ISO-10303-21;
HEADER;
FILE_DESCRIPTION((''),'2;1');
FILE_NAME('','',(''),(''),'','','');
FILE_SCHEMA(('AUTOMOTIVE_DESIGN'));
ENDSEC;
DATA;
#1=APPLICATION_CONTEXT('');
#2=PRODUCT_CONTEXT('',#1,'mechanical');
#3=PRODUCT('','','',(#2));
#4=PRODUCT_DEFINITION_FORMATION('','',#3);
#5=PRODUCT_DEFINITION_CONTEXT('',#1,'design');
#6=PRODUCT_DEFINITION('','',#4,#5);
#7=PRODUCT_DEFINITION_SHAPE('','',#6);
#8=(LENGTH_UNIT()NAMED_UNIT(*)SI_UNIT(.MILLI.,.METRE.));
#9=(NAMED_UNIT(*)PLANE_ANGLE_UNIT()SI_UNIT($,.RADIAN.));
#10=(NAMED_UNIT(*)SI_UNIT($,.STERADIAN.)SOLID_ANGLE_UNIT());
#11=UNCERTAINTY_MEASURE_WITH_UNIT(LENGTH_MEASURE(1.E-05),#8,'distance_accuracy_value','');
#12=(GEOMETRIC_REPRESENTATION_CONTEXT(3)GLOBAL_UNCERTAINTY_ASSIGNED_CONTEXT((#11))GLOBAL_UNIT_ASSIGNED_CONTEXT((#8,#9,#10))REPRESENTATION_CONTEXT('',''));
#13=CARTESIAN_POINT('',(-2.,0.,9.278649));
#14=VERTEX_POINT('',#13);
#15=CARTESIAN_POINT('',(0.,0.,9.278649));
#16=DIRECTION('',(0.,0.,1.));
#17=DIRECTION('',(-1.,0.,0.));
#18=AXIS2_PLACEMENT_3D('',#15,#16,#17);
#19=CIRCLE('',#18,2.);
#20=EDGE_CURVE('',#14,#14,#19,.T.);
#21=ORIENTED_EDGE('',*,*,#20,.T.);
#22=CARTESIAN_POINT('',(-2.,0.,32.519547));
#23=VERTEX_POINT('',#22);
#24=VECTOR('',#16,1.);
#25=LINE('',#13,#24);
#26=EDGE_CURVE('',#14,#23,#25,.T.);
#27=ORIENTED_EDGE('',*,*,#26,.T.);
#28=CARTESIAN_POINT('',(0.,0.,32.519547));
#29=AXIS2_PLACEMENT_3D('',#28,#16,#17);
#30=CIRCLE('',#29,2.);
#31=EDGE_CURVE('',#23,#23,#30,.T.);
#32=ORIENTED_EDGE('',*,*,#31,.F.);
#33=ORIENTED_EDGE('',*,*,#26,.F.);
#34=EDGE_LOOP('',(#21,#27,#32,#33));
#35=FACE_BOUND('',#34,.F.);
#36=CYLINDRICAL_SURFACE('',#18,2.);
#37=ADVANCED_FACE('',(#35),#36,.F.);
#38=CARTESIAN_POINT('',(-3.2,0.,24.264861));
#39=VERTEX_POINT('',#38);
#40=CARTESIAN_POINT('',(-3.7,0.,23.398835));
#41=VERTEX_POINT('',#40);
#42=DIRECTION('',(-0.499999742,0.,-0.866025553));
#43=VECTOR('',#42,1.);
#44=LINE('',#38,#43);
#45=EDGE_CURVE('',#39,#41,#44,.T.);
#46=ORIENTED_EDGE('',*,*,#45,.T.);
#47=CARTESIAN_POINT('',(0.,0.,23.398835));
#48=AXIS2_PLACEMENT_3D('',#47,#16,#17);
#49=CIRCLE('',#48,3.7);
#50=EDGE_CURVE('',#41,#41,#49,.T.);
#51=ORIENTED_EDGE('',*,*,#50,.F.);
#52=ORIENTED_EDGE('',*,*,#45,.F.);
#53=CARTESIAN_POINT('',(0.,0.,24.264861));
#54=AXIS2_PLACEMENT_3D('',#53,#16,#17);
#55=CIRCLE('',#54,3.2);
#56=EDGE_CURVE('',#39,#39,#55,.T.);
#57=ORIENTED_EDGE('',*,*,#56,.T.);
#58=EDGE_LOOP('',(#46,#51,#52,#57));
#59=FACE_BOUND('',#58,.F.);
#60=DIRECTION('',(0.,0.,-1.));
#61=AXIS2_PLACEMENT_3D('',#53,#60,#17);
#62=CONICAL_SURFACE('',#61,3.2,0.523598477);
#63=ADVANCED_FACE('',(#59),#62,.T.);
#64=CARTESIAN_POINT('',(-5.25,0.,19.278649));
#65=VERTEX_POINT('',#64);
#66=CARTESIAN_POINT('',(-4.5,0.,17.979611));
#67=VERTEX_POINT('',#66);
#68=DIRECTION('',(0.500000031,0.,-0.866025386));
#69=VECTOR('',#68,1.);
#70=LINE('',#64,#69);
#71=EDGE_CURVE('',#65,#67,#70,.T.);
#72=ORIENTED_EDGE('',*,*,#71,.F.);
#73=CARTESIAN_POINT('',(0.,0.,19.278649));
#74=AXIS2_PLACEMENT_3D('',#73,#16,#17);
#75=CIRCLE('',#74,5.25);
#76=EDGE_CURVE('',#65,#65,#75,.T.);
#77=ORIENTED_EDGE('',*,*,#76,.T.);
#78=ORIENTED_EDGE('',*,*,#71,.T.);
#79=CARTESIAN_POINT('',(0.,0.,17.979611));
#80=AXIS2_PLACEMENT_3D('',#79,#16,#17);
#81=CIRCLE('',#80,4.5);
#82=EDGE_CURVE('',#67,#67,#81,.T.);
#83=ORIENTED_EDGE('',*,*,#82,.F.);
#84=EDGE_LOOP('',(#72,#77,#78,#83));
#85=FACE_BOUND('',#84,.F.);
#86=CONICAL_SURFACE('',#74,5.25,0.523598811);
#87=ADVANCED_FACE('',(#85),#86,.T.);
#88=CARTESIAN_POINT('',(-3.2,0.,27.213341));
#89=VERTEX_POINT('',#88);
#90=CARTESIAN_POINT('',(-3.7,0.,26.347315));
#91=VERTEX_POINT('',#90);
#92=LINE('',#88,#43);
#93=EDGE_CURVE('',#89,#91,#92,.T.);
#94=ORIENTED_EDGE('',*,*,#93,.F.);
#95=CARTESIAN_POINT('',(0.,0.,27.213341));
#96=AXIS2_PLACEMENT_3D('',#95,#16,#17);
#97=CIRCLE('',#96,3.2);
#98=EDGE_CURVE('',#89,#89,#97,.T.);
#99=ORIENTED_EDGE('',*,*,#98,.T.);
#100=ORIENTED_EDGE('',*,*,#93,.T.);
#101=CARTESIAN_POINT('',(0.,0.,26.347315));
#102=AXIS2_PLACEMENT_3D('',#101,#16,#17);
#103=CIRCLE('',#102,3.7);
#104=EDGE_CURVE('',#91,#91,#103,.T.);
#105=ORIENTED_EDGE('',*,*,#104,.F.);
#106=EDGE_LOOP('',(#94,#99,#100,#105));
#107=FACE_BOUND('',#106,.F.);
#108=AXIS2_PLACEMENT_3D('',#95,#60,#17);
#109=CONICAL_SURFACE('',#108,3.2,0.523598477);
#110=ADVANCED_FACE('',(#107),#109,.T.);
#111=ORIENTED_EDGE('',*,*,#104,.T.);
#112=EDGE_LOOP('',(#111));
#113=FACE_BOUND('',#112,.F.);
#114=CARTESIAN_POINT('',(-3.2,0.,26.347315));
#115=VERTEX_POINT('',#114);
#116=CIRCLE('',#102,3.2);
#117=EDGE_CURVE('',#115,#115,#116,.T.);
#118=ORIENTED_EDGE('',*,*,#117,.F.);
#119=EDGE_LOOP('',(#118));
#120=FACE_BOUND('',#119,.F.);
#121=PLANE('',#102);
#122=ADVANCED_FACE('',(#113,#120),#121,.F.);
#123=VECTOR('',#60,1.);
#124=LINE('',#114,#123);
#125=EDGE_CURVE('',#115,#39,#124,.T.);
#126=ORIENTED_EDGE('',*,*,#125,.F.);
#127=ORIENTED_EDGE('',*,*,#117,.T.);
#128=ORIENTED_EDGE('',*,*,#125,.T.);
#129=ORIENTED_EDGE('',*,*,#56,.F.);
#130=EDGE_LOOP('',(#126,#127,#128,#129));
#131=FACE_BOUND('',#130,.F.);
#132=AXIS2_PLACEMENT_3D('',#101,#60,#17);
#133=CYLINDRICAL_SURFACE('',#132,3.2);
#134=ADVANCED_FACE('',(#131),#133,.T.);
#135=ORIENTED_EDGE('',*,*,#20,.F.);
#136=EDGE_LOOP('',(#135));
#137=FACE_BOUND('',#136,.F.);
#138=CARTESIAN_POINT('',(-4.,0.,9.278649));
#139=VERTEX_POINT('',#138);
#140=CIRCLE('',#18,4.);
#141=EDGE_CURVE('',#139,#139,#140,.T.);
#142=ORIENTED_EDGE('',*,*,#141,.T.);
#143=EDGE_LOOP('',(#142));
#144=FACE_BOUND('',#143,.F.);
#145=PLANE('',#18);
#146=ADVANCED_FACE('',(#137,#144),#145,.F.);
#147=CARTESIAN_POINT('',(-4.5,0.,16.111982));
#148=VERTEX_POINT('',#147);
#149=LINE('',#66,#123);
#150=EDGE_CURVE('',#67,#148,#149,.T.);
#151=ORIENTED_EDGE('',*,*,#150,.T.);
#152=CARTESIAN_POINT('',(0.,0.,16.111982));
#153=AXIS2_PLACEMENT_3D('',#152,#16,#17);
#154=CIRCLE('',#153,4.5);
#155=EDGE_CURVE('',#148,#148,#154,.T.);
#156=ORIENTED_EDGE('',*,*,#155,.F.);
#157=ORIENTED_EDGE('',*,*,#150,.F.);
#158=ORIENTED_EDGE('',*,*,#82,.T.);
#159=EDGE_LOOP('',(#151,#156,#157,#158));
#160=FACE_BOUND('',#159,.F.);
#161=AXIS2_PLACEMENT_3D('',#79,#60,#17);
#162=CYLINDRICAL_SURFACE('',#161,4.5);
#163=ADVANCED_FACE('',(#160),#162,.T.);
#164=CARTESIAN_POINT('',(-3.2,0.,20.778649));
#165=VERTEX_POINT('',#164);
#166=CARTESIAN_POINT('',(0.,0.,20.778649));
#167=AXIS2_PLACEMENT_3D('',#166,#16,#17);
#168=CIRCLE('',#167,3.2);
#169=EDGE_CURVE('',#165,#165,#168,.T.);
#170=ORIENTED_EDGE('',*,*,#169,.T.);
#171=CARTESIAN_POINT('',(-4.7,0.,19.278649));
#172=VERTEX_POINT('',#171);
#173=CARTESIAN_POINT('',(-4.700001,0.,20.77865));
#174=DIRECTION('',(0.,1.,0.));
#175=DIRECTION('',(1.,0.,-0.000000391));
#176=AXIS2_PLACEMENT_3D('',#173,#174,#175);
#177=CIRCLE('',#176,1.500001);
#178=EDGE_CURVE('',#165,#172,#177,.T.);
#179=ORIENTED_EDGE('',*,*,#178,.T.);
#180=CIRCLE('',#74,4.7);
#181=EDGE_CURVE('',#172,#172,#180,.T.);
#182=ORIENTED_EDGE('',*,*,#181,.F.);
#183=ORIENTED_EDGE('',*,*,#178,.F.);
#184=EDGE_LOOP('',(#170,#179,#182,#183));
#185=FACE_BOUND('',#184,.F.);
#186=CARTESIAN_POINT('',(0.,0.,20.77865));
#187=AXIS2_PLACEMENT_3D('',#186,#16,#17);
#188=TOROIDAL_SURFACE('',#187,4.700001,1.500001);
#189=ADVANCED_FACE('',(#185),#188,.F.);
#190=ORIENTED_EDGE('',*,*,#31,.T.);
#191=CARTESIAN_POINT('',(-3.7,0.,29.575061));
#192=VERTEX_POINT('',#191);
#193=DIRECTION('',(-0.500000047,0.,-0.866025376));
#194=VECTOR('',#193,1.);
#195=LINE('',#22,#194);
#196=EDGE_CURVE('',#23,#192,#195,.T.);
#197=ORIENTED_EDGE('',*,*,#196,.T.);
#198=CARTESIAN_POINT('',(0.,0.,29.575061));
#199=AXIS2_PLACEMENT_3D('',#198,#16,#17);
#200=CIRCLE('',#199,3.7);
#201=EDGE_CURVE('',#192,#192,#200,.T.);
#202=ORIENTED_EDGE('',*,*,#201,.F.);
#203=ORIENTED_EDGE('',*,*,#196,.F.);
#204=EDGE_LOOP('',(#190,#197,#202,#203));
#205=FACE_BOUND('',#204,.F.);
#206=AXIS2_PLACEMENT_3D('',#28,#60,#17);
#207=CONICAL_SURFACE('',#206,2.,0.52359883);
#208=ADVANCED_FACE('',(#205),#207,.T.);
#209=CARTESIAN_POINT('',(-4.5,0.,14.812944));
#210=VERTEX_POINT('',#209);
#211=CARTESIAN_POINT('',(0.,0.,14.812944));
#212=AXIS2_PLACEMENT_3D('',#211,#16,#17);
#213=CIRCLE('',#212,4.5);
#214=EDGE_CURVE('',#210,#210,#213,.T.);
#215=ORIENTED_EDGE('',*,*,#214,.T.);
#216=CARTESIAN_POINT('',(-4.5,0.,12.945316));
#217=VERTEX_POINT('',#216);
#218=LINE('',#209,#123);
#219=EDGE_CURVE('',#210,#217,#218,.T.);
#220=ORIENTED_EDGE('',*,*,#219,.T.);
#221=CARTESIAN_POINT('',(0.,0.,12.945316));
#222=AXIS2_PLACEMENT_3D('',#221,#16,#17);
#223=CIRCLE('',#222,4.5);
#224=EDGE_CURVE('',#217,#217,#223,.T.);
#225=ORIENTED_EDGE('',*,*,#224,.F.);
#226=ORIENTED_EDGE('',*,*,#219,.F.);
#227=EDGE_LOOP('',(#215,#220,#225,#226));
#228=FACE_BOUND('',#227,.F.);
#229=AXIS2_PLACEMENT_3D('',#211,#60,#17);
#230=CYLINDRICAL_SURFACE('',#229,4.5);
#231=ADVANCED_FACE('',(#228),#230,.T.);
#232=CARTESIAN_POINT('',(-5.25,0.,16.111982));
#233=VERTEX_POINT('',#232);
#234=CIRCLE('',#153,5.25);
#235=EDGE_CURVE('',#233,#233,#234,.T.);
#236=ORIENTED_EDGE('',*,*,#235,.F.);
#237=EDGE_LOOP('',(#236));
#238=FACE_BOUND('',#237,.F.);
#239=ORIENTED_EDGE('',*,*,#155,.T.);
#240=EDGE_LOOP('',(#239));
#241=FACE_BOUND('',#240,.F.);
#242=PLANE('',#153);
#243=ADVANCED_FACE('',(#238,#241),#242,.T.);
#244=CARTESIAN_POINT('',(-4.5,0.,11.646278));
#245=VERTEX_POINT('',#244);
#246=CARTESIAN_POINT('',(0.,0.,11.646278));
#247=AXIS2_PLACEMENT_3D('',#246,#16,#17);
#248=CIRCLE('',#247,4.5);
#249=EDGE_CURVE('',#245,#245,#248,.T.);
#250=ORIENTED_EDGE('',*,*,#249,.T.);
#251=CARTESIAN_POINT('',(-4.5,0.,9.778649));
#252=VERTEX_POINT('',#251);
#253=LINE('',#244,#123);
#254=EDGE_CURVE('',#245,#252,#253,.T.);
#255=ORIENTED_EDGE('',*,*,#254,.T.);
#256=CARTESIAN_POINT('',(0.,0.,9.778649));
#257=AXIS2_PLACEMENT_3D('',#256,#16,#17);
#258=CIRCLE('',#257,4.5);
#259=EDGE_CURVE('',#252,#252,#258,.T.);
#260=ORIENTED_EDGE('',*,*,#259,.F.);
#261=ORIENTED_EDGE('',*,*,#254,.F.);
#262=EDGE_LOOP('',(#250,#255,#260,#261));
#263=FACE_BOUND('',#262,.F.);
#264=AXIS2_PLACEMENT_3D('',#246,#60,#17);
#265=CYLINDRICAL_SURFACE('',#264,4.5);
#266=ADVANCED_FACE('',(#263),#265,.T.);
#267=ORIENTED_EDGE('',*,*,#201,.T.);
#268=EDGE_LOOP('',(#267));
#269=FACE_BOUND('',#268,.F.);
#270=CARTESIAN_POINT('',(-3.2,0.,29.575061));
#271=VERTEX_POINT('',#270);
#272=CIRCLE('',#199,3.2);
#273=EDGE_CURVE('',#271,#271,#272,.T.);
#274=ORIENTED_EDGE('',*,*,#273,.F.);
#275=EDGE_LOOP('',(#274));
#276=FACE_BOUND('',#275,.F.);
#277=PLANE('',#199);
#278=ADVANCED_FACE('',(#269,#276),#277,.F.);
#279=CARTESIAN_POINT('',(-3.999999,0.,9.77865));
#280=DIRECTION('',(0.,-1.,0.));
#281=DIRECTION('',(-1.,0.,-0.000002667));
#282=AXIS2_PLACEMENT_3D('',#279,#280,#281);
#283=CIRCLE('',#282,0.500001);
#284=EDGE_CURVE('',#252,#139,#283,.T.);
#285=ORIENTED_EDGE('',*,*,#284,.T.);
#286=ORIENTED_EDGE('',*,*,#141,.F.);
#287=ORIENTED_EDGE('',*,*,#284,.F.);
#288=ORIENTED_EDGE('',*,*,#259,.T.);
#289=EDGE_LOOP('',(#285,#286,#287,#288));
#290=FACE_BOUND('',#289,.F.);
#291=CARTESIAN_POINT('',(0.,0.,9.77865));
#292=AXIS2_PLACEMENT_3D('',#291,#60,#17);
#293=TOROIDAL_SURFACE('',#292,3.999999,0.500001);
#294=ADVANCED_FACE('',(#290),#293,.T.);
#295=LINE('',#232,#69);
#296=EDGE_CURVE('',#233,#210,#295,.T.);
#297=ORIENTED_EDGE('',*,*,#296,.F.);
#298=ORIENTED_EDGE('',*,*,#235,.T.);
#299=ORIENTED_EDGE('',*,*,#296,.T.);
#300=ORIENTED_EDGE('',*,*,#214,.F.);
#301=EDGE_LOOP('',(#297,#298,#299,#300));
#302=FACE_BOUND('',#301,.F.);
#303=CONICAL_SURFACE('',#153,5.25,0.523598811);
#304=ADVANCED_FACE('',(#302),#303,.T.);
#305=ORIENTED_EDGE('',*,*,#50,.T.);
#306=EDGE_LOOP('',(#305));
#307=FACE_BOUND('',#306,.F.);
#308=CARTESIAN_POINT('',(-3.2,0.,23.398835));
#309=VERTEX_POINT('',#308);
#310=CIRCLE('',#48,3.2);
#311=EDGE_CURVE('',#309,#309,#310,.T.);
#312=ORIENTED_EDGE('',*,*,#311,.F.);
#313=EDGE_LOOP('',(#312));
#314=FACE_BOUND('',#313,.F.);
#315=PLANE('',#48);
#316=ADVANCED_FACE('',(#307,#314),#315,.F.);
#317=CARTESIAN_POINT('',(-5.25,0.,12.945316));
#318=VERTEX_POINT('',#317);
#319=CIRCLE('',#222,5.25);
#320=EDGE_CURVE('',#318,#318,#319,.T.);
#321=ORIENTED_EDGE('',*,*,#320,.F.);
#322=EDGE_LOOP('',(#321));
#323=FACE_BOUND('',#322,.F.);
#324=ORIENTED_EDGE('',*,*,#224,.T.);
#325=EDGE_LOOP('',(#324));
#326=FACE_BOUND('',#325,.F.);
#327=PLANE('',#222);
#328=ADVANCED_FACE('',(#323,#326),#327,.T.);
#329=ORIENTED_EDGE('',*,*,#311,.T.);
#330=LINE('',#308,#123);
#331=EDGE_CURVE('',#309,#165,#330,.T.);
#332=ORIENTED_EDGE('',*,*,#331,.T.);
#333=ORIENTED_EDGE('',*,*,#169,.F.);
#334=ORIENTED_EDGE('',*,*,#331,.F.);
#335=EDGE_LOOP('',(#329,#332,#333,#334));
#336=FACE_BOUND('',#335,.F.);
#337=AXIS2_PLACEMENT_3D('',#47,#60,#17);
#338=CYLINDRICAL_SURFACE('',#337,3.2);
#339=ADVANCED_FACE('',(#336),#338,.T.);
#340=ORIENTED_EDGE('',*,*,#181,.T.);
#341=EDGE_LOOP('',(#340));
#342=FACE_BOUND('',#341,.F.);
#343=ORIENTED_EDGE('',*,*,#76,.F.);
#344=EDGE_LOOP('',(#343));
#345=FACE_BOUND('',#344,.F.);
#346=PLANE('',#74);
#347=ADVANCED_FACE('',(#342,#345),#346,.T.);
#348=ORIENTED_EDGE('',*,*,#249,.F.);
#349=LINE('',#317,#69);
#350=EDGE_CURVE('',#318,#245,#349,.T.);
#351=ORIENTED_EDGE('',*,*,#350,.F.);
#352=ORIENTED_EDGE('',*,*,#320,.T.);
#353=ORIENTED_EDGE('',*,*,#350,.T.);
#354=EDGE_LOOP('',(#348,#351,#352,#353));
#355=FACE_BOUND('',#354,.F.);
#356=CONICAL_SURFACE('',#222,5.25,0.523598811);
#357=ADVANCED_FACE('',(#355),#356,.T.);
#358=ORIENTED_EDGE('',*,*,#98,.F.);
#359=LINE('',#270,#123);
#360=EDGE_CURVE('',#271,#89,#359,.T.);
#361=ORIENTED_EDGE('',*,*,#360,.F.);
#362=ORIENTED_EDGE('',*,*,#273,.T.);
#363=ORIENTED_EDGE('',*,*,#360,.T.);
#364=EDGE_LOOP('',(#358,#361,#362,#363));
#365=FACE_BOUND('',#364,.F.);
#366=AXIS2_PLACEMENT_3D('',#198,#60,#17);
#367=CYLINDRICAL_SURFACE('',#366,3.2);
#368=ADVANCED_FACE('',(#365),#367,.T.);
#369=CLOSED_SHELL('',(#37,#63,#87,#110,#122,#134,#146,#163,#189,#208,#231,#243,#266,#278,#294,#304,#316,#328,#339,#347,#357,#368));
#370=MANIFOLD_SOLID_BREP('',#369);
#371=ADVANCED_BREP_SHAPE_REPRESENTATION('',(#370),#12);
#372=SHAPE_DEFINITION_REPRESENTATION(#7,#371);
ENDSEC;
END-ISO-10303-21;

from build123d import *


with BuildPart() as f1:
    # F0 (on Front) → F1 (revolve)
    with BuildSketch(Plane.XZ):
        with BuildLine():
            Line((-4, 9.278649), (-2, 9.278649))
            Line((-2, 9.278649), (-2, 32.519547))
            Line((-2, 32.519547), (-3.7, 29.575061))
            Line((-3.7, 29.575061), (-3.2, 29.575061))
            Line((-3.2, 29.575061), (-3.2, 27.213341))
            Line((-3.2, 27.213341), (-3.7, 26.347315))
            Line((-3.7, 26.347315), (-3.2, 26.347315))
            Line((-3.2, 26.347315), (-3.2, 24.264861))
            Line((-3.2, 24.264861), (-3.7, 23.398835))
            Line((-3.7, 23.398835), (-3.2, 23.398835))
            Line((-3.2, 23.398835), (-3.2, 20.778649))
            ThreePointArc((-3.2, 20.778649), (-3.63934, 19.717989), (-4.7, 19.278649))
            Line((-4.7, 19.278649), (-5.25, 19.278649))
            Line((-5.25, 19.278649), (-4.5, 17.979611))
            Line((-4.5, 17.979611), (-4.5, 16.111982))
            Line((-4.5, 16.111982), (-5.25, 16.111982))
            Line((-5.25, 16.111982), (-4.5, 14.812944))
            Line((-4.5, 14.812944), (-4.5, 12.945316))
            Line((-4.5, 12.945316), (-5.25, 12.945316))
            Line((-5.25, 12.945316), (-4.5, 11.646278))
            Line((-4.5, 11.646278), (-4.5, 9.778649))
            ThreePointArc((-4.5, 9.778649), (-4.353553, 9.425096), (-4, 9.278649))
        make_face()
    revolve(axis=Axis((0, 0, 13.09317), (0, 0, 1)))


solid = f1.part
